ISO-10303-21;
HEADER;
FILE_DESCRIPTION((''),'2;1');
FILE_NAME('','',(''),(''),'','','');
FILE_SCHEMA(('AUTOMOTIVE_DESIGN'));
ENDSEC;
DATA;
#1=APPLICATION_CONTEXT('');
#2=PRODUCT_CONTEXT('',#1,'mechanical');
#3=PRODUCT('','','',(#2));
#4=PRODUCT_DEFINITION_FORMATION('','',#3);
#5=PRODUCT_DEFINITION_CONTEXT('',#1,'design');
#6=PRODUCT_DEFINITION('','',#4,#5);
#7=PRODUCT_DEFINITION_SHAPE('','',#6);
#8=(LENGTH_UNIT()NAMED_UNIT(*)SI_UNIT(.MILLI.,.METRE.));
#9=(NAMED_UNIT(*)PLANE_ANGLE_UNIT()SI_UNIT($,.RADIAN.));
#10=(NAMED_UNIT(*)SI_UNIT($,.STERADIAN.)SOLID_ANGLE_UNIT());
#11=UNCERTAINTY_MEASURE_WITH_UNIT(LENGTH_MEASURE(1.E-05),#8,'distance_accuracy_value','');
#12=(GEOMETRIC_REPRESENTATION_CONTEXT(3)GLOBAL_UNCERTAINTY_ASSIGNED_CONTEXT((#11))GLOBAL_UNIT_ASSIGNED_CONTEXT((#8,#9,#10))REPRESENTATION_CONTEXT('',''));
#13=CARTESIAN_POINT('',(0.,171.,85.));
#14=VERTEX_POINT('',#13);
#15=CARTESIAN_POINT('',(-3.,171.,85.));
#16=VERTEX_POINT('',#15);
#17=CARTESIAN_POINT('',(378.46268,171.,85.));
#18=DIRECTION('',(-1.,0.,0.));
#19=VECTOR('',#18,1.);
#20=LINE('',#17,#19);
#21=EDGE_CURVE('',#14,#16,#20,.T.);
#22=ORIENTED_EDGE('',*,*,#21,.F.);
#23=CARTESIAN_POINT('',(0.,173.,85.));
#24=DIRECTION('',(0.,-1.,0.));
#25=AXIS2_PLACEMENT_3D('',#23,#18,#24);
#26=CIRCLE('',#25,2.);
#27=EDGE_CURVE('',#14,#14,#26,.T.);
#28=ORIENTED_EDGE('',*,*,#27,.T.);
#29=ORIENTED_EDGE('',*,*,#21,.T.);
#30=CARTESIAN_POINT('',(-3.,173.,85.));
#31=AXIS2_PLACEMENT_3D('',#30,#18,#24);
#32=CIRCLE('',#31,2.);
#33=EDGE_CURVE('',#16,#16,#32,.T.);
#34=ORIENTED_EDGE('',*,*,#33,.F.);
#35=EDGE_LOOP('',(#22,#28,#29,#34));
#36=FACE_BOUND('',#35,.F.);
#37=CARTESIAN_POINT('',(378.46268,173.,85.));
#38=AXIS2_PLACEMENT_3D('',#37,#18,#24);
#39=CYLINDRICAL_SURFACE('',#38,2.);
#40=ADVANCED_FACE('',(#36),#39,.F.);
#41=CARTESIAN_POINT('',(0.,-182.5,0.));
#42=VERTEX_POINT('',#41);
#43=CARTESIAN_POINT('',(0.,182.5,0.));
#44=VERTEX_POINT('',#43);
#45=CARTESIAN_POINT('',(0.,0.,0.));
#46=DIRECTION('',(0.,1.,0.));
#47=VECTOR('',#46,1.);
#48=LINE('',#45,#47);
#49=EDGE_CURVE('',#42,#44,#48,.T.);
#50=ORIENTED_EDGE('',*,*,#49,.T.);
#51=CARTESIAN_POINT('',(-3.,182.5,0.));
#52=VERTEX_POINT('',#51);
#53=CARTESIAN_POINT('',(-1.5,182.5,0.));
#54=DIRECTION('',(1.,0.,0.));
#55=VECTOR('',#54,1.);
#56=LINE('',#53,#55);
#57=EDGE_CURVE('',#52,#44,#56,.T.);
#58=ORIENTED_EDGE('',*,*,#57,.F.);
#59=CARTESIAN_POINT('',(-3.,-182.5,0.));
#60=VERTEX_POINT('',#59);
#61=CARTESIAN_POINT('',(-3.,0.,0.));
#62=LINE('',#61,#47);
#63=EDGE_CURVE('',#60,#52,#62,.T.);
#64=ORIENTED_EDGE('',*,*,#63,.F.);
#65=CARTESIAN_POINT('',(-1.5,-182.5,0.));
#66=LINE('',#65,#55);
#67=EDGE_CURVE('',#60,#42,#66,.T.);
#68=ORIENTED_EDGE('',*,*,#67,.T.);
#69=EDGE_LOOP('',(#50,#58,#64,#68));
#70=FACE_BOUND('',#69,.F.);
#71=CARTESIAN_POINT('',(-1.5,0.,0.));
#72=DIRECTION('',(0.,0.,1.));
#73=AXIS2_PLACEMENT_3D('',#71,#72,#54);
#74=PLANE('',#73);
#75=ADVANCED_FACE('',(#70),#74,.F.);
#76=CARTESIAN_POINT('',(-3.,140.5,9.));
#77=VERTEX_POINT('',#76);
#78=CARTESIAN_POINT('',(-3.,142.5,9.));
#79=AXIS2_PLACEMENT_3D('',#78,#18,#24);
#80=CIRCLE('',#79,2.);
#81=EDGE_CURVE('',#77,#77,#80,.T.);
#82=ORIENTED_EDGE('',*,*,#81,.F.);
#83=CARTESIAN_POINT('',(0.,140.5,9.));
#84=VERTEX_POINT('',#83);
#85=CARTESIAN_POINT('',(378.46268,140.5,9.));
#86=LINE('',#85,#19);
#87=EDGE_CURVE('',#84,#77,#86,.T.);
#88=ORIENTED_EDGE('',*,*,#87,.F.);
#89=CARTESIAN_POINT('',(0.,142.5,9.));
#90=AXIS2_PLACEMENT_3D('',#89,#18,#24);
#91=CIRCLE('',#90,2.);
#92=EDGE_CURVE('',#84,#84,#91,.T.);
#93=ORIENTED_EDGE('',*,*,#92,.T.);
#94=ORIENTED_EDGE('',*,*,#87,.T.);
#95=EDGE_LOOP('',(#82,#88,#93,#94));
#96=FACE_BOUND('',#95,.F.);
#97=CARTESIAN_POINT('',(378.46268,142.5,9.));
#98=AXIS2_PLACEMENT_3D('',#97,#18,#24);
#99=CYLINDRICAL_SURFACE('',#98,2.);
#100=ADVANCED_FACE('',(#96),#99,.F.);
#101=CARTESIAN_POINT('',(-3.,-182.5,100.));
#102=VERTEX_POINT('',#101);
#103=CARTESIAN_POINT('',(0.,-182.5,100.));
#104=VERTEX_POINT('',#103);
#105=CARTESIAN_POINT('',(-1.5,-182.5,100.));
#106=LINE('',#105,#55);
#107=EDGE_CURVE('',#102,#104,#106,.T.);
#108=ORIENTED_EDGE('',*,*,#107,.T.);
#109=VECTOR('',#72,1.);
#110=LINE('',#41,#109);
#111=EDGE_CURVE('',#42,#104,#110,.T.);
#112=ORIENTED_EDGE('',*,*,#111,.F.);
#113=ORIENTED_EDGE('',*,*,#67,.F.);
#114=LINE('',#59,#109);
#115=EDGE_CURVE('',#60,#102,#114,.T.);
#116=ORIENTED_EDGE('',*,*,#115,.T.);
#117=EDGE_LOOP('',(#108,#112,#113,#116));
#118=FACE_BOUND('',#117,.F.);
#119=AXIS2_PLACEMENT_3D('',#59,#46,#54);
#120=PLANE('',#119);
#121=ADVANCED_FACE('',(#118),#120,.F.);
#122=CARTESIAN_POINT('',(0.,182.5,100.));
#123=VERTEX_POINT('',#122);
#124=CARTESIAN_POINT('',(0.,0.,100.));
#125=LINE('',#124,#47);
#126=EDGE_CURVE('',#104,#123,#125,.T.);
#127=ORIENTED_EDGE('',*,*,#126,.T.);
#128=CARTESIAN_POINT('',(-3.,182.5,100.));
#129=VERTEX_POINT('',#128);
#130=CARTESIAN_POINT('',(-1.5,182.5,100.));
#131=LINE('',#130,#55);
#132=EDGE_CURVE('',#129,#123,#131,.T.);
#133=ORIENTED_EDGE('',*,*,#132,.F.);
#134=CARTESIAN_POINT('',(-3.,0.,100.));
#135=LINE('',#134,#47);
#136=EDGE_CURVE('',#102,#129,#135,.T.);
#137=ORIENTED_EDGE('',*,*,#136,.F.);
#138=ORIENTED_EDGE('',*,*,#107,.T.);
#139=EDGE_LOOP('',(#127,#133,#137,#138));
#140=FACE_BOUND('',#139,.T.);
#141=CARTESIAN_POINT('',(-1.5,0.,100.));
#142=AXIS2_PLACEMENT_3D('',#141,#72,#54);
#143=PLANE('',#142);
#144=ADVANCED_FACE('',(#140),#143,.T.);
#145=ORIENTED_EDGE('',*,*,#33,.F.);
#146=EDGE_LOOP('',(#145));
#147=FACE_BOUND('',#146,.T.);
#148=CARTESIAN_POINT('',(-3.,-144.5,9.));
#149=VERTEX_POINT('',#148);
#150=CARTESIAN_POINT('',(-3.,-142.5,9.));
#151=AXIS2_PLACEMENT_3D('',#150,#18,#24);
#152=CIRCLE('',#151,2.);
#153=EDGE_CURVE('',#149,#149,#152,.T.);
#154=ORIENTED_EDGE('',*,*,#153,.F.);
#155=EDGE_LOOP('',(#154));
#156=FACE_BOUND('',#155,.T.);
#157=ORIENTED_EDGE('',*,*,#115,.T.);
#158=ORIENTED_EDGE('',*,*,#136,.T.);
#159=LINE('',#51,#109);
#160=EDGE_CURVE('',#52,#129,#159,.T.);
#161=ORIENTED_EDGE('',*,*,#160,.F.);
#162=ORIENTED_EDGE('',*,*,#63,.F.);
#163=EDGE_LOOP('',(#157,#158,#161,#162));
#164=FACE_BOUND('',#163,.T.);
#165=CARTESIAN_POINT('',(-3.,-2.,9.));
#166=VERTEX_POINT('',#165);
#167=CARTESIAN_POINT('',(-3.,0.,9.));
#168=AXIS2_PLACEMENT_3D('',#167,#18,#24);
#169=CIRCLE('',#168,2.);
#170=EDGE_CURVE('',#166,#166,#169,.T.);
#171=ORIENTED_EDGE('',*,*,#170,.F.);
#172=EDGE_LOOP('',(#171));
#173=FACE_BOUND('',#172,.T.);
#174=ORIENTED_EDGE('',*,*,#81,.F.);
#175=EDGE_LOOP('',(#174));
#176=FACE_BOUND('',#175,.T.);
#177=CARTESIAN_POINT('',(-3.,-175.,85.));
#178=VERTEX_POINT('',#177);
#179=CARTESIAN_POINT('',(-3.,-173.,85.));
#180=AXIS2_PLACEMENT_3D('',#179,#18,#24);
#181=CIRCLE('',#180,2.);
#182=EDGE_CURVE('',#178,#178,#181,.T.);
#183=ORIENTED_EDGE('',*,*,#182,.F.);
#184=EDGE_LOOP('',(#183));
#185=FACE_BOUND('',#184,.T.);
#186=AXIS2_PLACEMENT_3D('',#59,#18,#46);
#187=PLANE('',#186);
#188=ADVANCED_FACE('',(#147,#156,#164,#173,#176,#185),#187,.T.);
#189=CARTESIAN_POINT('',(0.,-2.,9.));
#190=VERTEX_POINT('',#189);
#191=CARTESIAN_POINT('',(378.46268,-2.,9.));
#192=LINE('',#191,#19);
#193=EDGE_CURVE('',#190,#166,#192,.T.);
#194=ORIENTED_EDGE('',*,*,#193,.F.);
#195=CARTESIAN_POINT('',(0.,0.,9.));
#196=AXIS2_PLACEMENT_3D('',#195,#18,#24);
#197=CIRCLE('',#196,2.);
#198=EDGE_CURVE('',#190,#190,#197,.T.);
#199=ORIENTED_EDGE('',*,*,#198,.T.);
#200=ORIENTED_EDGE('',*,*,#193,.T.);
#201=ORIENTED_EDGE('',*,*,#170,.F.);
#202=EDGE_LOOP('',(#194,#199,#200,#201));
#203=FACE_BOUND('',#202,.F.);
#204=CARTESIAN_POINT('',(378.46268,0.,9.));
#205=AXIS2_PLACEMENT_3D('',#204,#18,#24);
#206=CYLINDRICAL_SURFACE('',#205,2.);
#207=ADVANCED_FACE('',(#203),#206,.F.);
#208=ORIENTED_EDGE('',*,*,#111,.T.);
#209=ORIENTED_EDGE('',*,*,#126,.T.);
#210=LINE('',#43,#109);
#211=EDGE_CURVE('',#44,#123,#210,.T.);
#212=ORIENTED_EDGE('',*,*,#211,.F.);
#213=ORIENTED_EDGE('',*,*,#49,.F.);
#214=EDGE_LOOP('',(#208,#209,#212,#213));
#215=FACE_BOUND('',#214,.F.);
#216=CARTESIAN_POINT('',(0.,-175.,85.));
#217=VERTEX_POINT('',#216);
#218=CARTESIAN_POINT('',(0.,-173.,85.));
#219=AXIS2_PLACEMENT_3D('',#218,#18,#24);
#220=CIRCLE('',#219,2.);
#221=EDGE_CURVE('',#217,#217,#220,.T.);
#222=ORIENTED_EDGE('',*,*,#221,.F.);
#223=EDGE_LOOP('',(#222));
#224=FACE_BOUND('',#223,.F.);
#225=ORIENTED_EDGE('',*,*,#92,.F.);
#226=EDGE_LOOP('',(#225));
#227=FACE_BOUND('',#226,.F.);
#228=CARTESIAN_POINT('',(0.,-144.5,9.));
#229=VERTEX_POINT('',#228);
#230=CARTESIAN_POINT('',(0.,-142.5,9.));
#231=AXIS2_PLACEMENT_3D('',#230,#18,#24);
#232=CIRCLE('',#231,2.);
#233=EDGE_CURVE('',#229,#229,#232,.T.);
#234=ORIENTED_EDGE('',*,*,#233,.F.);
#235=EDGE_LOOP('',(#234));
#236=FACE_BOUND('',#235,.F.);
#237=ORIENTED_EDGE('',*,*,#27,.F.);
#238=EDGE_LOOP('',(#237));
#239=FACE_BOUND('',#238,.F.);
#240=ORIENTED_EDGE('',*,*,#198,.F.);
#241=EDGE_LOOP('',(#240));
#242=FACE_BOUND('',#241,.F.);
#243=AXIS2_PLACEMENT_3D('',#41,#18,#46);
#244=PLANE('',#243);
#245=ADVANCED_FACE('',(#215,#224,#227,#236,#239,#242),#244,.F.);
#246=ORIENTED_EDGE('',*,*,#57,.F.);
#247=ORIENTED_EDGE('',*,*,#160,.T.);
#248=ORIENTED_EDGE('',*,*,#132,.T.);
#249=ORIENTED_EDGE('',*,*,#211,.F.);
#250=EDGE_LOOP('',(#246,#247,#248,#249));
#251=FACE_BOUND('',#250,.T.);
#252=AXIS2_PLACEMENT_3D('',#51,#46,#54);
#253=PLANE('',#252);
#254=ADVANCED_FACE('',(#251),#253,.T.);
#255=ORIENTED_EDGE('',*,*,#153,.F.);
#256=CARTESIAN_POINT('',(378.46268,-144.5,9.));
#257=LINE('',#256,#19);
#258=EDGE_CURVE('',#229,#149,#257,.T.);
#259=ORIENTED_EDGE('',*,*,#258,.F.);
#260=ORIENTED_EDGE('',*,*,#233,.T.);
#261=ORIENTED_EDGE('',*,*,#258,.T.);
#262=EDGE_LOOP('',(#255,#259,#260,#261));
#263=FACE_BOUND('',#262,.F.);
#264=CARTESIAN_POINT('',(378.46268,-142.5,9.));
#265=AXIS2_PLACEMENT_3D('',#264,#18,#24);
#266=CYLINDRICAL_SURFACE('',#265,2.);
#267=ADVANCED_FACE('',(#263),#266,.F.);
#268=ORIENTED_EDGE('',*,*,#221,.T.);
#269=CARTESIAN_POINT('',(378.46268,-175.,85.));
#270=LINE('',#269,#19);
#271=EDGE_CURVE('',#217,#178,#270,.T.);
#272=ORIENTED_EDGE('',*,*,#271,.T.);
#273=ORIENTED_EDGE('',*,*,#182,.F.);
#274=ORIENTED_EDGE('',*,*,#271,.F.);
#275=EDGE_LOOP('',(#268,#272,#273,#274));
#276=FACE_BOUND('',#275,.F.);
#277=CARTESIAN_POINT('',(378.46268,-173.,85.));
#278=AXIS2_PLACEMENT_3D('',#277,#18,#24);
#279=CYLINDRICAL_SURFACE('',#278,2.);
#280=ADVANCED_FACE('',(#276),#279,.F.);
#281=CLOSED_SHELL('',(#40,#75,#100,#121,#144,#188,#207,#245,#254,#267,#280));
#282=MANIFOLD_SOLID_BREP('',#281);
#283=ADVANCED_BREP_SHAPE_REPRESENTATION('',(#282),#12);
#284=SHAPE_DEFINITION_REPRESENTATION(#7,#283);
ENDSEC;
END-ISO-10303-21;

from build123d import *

# Parameters (mm, degrees)
F0_W     = 3
F0_H     = 365
F1_DEPTH = 100
F3_D     = 4


with BuildPart() as f1:
    # F0 (on Top) → F1 (new body)
    with BuildSketch(Plane.XY):
        with Locations((-1.5, 0)):
            Rectangle(F0_W, F0_H)
    extrude(amount=F1_DEPTH)

    # F3 (through all)
    with Locations(Plane.YZ):
        with Locations((-173, 85), (-142.5, 9), (0, 9), (142.5, 9), (173, 85)):
            Hole(F3_D / 2)


solid = f1.part
